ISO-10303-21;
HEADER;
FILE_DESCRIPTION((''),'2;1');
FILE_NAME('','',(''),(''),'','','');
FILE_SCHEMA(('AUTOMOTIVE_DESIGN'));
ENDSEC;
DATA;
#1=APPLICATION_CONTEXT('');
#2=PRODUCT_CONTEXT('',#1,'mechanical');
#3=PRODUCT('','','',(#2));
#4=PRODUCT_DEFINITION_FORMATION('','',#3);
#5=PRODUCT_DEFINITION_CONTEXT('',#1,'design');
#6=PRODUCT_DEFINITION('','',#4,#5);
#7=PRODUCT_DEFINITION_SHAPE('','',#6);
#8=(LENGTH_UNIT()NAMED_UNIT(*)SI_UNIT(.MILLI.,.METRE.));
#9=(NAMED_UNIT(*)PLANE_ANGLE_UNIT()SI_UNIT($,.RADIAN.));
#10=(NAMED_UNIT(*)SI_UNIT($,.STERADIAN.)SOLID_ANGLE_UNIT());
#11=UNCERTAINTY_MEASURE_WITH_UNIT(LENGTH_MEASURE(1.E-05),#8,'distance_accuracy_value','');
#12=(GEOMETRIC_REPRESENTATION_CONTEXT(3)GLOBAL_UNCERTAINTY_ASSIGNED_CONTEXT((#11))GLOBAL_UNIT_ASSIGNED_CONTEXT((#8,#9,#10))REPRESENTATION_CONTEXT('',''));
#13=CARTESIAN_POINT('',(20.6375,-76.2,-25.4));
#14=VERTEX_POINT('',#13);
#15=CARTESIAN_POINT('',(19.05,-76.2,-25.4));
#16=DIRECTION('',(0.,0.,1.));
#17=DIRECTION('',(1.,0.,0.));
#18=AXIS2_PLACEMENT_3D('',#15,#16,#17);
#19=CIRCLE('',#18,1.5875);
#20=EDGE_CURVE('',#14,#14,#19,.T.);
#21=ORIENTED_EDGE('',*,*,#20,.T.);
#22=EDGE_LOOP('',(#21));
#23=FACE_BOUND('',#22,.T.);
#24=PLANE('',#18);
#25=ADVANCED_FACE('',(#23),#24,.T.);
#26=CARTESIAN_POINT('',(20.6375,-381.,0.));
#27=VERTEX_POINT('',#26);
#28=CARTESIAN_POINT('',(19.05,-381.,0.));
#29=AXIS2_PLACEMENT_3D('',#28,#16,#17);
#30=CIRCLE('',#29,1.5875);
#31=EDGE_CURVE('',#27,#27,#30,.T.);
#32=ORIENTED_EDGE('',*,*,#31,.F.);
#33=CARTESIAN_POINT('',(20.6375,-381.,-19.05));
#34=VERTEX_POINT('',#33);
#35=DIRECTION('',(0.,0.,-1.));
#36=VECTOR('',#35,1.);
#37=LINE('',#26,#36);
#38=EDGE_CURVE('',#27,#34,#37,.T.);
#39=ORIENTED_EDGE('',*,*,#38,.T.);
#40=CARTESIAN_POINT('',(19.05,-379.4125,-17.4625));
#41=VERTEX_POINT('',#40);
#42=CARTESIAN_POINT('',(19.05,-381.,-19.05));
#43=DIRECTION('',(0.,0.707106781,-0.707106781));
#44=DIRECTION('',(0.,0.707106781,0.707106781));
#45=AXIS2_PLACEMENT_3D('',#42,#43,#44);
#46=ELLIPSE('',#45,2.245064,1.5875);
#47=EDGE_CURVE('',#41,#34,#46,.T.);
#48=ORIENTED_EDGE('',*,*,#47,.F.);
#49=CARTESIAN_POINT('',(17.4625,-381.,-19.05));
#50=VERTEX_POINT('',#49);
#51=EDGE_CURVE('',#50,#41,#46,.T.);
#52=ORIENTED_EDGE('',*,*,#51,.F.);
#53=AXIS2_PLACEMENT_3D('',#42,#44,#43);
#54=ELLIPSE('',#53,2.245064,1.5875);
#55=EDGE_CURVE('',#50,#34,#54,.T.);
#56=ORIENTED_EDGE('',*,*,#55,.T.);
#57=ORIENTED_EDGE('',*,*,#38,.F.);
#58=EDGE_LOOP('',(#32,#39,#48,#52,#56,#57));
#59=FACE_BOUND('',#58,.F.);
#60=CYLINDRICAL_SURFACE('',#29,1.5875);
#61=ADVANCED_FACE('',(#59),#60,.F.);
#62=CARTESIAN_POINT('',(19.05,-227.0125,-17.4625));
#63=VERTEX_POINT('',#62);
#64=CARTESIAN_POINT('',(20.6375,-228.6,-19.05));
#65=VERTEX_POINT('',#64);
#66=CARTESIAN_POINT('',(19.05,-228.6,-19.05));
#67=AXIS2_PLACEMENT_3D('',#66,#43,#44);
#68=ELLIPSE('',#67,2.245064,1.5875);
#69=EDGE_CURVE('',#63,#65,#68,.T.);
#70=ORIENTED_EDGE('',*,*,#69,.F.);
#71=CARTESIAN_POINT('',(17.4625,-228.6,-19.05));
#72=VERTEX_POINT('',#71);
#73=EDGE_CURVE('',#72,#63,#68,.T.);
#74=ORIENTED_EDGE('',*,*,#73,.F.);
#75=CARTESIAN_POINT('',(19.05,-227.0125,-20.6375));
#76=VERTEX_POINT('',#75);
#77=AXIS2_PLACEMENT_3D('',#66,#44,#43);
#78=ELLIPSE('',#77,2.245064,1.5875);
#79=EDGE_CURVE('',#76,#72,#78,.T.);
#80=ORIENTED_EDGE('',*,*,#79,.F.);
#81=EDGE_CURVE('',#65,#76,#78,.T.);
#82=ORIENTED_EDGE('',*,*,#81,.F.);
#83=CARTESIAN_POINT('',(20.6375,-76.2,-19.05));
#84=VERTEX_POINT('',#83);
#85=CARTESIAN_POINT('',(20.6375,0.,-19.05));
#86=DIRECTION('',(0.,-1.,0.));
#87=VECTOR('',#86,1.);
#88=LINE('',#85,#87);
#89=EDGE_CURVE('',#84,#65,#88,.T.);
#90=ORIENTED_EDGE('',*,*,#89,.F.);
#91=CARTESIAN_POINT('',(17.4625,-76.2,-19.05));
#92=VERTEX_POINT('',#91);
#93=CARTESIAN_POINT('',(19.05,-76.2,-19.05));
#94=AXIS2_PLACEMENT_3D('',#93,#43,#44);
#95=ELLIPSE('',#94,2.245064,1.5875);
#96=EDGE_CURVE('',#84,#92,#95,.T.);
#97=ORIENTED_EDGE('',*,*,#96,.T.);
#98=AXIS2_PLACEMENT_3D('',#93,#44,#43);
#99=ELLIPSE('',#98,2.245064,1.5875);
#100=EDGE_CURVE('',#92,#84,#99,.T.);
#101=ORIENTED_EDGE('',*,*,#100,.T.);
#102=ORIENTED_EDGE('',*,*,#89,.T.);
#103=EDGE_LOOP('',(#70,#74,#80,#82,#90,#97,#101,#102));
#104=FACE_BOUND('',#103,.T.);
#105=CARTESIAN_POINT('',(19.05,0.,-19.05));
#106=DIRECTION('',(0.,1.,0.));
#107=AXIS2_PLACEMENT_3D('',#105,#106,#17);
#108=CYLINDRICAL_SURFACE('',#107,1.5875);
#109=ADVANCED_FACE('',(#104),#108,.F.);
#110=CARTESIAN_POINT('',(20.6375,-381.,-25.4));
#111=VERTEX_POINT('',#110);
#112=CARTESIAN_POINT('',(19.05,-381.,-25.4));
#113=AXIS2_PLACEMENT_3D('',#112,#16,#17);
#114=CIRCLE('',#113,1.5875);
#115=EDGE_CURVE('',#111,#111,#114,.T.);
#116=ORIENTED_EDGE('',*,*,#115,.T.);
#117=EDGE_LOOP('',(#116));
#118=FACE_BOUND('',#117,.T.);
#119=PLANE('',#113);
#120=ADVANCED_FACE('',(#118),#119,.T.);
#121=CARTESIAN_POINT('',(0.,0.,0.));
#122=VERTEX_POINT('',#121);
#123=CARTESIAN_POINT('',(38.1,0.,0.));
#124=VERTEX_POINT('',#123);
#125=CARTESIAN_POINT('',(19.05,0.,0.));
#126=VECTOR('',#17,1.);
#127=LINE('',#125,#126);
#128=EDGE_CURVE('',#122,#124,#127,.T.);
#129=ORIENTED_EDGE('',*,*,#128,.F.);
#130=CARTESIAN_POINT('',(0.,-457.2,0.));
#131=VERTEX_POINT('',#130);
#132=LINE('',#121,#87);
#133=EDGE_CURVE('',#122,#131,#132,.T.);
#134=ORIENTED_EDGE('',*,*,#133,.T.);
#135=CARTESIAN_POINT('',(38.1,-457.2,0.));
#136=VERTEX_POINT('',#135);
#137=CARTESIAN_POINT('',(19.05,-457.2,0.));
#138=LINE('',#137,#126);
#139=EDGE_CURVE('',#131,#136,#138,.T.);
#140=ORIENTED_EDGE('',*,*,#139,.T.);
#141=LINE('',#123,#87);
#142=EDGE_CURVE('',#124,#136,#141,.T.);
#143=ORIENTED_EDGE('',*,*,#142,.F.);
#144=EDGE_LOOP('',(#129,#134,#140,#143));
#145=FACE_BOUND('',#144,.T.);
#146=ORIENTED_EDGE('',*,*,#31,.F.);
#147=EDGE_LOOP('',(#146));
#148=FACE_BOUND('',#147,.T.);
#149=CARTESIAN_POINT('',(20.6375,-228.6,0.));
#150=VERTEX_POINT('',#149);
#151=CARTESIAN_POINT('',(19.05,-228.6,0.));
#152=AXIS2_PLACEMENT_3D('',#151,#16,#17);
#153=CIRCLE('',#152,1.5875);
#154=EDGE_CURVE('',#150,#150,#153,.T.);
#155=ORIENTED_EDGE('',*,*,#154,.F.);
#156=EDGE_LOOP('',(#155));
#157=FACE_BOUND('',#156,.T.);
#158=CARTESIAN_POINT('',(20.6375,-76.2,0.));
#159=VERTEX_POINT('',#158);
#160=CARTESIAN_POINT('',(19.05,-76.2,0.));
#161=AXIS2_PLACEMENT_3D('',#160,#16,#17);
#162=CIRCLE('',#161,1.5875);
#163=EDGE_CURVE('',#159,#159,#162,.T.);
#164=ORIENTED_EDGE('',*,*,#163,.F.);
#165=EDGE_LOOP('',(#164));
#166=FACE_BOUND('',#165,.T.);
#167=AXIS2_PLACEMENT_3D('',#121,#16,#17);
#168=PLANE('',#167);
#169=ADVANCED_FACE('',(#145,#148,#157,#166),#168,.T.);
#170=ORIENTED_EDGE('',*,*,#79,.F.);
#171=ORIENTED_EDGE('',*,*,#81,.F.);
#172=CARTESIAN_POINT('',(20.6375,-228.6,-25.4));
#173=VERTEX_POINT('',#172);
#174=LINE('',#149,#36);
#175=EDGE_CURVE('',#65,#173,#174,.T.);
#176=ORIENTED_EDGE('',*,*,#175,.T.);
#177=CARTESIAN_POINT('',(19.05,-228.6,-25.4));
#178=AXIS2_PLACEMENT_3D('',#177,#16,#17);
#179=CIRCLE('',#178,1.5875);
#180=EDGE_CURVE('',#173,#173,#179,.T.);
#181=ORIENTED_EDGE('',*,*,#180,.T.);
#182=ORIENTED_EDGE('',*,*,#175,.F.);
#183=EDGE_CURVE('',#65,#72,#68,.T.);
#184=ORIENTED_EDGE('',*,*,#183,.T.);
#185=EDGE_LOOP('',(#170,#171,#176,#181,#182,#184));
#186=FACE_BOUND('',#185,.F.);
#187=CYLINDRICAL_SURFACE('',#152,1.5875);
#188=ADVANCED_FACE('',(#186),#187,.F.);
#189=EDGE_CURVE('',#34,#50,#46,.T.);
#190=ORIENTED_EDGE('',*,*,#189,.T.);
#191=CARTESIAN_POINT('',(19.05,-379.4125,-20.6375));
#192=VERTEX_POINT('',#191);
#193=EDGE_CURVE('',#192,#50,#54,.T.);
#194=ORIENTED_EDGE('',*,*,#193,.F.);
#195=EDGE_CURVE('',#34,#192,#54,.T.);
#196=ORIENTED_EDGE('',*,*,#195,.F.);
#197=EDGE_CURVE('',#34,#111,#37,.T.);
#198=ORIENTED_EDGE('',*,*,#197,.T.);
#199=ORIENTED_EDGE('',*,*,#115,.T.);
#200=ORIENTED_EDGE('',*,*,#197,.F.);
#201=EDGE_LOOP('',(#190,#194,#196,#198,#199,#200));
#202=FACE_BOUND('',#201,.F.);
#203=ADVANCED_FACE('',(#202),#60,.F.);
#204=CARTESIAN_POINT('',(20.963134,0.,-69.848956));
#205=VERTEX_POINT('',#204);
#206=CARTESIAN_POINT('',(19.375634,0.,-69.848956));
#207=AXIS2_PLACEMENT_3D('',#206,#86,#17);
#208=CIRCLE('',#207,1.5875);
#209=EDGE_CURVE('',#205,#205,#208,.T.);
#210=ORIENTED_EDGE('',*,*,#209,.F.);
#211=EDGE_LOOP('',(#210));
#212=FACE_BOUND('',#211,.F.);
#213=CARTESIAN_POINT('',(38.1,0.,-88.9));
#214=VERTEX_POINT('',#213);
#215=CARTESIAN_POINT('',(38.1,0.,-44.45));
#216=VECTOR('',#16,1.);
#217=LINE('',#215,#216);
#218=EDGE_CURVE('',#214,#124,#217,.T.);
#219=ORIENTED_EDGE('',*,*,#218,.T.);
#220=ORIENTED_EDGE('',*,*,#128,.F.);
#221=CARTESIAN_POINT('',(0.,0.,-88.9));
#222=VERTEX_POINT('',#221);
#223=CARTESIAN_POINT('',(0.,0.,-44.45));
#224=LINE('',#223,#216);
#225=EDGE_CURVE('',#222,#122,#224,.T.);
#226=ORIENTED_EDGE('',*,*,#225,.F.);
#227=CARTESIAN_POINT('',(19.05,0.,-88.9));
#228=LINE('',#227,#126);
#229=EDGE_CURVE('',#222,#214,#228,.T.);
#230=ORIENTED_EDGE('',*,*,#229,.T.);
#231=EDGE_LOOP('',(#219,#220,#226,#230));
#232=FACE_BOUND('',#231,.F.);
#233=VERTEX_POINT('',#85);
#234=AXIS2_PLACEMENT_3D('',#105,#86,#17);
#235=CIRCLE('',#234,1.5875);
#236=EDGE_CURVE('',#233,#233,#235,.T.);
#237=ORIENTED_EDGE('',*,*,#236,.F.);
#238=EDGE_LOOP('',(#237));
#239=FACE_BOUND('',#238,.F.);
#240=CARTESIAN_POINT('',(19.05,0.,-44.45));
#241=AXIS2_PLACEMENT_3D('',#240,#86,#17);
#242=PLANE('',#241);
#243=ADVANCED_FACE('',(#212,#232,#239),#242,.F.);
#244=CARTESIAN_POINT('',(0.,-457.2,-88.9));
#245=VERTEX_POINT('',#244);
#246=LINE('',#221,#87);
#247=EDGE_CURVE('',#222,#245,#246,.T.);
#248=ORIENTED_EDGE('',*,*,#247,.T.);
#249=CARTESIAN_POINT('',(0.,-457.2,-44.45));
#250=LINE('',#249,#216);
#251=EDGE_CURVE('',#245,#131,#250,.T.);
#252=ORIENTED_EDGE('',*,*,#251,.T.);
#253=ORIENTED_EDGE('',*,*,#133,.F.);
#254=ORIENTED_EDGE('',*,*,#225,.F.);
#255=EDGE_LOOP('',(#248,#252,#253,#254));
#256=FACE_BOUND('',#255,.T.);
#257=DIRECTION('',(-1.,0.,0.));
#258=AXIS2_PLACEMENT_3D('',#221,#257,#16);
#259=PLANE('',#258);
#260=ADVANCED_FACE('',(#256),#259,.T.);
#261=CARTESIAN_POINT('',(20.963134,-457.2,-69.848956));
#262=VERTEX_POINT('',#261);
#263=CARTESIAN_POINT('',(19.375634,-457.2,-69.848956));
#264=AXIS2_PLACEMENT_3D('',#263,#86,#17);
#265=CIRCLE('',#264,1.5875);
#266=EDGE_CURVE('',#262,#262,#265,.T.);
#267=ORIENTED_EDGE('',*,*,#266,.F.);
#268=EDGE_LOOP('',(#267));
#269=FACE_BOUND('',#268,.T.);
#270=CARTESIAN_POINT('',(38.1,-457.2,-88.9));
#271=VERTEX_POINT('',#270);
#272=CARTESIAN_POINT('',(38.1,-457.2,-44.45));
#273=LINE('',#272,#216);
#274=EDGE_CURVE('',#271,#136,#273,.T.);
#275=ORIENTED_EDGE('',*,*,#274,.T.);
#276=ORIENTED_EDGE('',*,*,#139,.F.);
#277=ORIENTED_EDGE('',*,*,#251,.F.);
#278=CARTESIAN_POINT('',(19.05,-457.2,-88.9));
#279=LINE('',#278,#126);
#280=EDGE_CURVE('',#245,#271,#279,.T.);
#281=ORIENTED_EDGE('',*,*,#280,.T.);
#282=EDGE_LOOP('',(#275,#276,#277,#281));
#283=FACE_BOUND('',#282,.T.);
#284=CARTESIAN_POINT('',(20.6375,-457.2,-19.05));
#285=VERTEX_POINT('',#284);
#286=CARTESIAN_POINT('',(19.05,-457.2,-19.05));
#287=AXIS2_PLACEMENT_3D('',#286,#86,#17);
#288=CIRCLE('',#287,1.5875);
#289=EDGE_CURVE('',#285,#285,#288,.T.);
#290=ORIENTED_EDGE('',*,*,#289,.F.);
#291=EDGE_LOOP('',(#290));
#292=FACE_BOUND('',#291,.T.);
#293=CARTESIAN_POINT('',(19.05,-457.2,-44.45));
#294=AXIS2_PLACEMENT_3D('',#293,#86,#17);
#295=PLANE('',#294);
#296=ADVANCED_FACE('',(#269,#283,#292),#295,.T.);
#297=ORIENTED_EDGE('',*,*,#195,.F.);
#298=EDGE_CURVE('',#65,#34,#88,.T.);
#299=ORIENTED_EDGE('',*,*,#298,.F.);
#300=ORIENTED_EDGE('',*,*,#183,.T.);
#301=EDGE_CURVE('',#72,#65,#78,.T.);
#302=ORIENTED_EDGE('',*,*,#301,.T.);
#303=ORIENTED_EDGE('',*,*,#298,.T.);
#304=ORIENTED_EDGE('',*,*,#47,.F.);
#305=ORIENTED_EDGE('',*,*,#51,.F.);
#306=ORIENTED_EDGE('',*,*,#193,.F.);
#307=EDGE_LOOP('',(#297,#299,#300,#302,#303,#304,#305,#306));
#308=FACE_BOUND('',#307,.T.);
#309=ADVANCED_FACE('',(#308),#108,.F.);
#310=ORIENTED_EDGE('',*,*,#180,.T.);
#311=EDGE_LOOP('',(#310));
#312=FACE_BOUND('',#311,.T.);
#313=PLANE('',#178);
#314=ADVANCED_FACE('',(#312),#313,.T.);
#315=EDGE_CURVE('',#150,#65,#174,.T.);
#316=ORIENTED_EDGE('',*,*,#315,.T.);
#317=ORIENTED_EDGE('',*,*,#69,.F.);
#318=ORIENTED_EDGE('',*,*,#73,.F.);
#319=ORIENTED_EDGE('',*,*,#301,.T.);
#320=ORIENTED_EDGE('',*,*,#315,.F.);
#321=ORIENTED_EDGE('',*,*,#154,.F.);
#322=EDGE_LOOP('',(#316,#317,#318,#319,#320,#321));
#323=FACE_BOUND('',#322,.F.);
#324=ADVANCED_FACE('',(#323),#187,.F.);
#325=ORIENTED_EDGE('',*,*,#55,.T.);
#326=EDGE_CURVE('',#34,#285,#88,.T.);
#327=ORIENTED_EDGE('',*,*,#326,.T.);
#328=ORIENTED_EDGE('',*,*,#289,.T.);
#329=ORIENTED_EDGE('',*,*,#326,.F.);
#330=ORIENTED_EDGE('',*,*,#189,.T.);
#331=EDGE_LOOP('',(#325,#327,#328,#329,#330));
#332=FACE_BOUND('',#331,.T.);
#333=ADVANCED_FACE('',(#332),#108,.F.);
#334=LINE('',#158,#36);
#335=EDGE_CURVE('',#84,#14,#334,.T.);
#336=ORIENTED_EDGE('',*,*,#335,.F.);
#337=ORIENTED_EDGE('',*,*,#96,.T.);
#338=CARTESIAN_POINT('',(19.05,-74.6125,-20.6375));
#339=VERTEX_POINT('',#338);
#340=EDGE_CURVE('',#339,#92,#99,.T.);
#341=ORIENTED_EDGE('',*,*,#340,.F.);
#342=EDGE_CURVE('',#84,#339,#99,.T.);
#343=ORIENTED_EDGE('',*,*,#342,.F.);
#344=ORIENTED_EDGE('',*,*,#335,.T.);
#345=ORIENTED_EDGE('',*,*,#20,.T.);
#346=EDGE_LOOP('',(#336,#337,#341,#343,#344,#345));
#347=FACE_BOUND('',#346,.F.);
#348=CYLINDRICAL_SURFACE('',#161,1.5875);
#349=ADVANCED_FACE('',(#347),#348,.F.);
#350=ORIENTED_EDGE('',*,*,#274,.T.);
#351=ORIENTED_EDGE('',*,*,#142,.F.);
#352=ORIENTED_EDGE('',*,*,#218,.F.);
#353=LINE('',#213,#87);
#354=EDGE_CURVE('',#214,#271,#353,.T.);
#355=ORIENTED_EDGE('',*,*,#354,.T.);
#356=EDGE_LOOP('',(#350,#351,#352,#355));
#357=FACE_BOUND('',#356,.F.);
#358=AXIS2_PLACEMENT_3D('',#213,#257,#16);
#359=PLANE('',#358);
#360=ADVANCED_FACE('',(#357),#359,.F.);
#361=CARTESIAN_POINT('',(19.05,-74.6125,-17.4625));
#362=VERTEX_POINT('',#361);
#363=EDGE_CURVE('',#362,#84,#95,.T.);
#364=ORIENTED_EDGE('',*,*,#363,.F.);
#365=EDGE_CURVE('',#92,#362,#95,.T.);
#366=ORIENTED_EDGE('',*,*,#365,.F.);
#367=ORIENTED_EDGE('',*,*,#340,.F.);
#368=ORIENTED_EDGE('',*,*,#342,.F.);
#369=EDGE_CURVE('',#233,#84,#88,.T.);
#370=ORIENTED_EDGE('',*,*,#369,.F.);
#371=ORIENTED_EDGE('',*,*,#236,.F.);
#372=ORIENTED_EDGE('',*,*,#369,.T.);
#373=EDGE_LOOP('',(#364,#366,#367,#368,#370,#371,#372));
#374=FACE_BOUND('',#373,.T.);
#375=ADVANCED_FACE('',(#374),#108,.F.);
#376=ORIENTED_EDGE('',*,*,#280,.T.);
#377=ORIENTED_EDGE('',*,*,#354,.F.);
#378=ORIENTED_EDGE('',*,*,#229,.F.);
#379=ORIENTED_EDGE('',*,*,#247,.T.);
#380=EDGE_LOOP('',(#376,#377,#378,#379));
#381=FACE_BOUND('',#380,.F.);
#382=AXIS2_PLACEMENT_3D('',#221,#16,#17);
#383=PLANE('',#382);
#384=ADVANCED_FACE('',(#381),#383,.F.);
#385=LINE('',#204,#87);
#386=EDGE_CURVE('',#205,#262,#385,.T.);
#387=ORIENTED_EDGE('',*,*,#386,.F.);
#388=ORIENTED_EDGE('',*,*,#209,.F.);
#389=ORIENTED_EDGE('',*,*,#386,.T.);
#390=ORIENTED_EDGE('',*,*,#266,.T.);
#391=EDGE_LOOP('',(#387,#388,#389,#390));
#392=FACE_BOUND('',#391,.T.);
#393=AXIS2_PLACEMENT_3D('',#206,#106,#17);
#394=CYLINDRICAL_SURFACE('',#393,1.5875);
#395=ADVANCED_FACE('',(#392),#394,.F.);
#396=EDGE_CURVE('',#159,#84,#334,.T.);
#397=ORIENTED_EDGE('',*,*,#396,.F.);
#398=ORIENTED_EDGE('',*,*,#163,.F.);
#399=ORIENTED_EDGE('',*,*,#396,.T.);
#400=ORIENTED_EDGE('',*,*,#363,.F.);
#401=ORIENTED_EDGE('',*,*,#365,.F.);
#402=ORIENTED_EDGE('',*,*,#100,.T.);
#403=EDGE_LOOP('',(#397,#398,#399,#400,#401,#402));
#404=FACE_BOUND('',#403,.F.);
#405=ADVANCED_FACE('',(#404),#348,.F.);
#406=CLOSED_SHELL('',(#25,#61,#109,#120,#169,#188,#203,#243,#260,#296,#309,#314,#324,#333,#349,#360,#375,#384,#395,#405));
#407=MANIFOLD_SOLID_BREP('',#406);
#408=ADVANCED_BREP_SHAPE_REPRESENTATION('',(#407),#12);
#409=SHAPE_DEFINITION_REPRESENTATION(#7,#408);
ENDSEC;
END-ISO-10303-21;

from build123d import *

# Parameters (mm, degrees)
F0_W     = 38.1
F0_H     = 88.9
F1_DEPTH = 457.2
F2_R     = 1.5875
F3_DEPTH = 457.2
F4_R     = 1.5875
F5_DEPTH = 25.4


with BuildPart() as f1:
    # F0 (on Front) → F1 (new body)
    with BuildSketch(Plane.XZ):
        with Locations((19.05, -44.45)):
            Rectangle(F0_W, F0_H)
    extrude(amount=F1_DEPTH)

    # F2 (on Front) → F3 (cut)
    with BuildSketch(Plane.XZ):
        with Locations((19.05, -19.05)):
            Circle(F2_R)
        with Locations((19.375634, -69.848956)):
            Circle(F2_R)
    extrude(amount=F3_DEPTH, mode=Mode.SUBTRACT)

    # F4 (on Top) → F5 (cut)
    with BuildSketch(Plane.XY):
        with Locations((19.05, -76.2)):
            Circle(F4_R)
        with Locations((19.05, -228.6)):
            Circle(F4_R)
        with Locations((19.05, -381)):
            Circle(F4_R)
    extrude(amount=-F5_DEPTH, mode=Mode.SUBTRACT)


solid = f1.part
